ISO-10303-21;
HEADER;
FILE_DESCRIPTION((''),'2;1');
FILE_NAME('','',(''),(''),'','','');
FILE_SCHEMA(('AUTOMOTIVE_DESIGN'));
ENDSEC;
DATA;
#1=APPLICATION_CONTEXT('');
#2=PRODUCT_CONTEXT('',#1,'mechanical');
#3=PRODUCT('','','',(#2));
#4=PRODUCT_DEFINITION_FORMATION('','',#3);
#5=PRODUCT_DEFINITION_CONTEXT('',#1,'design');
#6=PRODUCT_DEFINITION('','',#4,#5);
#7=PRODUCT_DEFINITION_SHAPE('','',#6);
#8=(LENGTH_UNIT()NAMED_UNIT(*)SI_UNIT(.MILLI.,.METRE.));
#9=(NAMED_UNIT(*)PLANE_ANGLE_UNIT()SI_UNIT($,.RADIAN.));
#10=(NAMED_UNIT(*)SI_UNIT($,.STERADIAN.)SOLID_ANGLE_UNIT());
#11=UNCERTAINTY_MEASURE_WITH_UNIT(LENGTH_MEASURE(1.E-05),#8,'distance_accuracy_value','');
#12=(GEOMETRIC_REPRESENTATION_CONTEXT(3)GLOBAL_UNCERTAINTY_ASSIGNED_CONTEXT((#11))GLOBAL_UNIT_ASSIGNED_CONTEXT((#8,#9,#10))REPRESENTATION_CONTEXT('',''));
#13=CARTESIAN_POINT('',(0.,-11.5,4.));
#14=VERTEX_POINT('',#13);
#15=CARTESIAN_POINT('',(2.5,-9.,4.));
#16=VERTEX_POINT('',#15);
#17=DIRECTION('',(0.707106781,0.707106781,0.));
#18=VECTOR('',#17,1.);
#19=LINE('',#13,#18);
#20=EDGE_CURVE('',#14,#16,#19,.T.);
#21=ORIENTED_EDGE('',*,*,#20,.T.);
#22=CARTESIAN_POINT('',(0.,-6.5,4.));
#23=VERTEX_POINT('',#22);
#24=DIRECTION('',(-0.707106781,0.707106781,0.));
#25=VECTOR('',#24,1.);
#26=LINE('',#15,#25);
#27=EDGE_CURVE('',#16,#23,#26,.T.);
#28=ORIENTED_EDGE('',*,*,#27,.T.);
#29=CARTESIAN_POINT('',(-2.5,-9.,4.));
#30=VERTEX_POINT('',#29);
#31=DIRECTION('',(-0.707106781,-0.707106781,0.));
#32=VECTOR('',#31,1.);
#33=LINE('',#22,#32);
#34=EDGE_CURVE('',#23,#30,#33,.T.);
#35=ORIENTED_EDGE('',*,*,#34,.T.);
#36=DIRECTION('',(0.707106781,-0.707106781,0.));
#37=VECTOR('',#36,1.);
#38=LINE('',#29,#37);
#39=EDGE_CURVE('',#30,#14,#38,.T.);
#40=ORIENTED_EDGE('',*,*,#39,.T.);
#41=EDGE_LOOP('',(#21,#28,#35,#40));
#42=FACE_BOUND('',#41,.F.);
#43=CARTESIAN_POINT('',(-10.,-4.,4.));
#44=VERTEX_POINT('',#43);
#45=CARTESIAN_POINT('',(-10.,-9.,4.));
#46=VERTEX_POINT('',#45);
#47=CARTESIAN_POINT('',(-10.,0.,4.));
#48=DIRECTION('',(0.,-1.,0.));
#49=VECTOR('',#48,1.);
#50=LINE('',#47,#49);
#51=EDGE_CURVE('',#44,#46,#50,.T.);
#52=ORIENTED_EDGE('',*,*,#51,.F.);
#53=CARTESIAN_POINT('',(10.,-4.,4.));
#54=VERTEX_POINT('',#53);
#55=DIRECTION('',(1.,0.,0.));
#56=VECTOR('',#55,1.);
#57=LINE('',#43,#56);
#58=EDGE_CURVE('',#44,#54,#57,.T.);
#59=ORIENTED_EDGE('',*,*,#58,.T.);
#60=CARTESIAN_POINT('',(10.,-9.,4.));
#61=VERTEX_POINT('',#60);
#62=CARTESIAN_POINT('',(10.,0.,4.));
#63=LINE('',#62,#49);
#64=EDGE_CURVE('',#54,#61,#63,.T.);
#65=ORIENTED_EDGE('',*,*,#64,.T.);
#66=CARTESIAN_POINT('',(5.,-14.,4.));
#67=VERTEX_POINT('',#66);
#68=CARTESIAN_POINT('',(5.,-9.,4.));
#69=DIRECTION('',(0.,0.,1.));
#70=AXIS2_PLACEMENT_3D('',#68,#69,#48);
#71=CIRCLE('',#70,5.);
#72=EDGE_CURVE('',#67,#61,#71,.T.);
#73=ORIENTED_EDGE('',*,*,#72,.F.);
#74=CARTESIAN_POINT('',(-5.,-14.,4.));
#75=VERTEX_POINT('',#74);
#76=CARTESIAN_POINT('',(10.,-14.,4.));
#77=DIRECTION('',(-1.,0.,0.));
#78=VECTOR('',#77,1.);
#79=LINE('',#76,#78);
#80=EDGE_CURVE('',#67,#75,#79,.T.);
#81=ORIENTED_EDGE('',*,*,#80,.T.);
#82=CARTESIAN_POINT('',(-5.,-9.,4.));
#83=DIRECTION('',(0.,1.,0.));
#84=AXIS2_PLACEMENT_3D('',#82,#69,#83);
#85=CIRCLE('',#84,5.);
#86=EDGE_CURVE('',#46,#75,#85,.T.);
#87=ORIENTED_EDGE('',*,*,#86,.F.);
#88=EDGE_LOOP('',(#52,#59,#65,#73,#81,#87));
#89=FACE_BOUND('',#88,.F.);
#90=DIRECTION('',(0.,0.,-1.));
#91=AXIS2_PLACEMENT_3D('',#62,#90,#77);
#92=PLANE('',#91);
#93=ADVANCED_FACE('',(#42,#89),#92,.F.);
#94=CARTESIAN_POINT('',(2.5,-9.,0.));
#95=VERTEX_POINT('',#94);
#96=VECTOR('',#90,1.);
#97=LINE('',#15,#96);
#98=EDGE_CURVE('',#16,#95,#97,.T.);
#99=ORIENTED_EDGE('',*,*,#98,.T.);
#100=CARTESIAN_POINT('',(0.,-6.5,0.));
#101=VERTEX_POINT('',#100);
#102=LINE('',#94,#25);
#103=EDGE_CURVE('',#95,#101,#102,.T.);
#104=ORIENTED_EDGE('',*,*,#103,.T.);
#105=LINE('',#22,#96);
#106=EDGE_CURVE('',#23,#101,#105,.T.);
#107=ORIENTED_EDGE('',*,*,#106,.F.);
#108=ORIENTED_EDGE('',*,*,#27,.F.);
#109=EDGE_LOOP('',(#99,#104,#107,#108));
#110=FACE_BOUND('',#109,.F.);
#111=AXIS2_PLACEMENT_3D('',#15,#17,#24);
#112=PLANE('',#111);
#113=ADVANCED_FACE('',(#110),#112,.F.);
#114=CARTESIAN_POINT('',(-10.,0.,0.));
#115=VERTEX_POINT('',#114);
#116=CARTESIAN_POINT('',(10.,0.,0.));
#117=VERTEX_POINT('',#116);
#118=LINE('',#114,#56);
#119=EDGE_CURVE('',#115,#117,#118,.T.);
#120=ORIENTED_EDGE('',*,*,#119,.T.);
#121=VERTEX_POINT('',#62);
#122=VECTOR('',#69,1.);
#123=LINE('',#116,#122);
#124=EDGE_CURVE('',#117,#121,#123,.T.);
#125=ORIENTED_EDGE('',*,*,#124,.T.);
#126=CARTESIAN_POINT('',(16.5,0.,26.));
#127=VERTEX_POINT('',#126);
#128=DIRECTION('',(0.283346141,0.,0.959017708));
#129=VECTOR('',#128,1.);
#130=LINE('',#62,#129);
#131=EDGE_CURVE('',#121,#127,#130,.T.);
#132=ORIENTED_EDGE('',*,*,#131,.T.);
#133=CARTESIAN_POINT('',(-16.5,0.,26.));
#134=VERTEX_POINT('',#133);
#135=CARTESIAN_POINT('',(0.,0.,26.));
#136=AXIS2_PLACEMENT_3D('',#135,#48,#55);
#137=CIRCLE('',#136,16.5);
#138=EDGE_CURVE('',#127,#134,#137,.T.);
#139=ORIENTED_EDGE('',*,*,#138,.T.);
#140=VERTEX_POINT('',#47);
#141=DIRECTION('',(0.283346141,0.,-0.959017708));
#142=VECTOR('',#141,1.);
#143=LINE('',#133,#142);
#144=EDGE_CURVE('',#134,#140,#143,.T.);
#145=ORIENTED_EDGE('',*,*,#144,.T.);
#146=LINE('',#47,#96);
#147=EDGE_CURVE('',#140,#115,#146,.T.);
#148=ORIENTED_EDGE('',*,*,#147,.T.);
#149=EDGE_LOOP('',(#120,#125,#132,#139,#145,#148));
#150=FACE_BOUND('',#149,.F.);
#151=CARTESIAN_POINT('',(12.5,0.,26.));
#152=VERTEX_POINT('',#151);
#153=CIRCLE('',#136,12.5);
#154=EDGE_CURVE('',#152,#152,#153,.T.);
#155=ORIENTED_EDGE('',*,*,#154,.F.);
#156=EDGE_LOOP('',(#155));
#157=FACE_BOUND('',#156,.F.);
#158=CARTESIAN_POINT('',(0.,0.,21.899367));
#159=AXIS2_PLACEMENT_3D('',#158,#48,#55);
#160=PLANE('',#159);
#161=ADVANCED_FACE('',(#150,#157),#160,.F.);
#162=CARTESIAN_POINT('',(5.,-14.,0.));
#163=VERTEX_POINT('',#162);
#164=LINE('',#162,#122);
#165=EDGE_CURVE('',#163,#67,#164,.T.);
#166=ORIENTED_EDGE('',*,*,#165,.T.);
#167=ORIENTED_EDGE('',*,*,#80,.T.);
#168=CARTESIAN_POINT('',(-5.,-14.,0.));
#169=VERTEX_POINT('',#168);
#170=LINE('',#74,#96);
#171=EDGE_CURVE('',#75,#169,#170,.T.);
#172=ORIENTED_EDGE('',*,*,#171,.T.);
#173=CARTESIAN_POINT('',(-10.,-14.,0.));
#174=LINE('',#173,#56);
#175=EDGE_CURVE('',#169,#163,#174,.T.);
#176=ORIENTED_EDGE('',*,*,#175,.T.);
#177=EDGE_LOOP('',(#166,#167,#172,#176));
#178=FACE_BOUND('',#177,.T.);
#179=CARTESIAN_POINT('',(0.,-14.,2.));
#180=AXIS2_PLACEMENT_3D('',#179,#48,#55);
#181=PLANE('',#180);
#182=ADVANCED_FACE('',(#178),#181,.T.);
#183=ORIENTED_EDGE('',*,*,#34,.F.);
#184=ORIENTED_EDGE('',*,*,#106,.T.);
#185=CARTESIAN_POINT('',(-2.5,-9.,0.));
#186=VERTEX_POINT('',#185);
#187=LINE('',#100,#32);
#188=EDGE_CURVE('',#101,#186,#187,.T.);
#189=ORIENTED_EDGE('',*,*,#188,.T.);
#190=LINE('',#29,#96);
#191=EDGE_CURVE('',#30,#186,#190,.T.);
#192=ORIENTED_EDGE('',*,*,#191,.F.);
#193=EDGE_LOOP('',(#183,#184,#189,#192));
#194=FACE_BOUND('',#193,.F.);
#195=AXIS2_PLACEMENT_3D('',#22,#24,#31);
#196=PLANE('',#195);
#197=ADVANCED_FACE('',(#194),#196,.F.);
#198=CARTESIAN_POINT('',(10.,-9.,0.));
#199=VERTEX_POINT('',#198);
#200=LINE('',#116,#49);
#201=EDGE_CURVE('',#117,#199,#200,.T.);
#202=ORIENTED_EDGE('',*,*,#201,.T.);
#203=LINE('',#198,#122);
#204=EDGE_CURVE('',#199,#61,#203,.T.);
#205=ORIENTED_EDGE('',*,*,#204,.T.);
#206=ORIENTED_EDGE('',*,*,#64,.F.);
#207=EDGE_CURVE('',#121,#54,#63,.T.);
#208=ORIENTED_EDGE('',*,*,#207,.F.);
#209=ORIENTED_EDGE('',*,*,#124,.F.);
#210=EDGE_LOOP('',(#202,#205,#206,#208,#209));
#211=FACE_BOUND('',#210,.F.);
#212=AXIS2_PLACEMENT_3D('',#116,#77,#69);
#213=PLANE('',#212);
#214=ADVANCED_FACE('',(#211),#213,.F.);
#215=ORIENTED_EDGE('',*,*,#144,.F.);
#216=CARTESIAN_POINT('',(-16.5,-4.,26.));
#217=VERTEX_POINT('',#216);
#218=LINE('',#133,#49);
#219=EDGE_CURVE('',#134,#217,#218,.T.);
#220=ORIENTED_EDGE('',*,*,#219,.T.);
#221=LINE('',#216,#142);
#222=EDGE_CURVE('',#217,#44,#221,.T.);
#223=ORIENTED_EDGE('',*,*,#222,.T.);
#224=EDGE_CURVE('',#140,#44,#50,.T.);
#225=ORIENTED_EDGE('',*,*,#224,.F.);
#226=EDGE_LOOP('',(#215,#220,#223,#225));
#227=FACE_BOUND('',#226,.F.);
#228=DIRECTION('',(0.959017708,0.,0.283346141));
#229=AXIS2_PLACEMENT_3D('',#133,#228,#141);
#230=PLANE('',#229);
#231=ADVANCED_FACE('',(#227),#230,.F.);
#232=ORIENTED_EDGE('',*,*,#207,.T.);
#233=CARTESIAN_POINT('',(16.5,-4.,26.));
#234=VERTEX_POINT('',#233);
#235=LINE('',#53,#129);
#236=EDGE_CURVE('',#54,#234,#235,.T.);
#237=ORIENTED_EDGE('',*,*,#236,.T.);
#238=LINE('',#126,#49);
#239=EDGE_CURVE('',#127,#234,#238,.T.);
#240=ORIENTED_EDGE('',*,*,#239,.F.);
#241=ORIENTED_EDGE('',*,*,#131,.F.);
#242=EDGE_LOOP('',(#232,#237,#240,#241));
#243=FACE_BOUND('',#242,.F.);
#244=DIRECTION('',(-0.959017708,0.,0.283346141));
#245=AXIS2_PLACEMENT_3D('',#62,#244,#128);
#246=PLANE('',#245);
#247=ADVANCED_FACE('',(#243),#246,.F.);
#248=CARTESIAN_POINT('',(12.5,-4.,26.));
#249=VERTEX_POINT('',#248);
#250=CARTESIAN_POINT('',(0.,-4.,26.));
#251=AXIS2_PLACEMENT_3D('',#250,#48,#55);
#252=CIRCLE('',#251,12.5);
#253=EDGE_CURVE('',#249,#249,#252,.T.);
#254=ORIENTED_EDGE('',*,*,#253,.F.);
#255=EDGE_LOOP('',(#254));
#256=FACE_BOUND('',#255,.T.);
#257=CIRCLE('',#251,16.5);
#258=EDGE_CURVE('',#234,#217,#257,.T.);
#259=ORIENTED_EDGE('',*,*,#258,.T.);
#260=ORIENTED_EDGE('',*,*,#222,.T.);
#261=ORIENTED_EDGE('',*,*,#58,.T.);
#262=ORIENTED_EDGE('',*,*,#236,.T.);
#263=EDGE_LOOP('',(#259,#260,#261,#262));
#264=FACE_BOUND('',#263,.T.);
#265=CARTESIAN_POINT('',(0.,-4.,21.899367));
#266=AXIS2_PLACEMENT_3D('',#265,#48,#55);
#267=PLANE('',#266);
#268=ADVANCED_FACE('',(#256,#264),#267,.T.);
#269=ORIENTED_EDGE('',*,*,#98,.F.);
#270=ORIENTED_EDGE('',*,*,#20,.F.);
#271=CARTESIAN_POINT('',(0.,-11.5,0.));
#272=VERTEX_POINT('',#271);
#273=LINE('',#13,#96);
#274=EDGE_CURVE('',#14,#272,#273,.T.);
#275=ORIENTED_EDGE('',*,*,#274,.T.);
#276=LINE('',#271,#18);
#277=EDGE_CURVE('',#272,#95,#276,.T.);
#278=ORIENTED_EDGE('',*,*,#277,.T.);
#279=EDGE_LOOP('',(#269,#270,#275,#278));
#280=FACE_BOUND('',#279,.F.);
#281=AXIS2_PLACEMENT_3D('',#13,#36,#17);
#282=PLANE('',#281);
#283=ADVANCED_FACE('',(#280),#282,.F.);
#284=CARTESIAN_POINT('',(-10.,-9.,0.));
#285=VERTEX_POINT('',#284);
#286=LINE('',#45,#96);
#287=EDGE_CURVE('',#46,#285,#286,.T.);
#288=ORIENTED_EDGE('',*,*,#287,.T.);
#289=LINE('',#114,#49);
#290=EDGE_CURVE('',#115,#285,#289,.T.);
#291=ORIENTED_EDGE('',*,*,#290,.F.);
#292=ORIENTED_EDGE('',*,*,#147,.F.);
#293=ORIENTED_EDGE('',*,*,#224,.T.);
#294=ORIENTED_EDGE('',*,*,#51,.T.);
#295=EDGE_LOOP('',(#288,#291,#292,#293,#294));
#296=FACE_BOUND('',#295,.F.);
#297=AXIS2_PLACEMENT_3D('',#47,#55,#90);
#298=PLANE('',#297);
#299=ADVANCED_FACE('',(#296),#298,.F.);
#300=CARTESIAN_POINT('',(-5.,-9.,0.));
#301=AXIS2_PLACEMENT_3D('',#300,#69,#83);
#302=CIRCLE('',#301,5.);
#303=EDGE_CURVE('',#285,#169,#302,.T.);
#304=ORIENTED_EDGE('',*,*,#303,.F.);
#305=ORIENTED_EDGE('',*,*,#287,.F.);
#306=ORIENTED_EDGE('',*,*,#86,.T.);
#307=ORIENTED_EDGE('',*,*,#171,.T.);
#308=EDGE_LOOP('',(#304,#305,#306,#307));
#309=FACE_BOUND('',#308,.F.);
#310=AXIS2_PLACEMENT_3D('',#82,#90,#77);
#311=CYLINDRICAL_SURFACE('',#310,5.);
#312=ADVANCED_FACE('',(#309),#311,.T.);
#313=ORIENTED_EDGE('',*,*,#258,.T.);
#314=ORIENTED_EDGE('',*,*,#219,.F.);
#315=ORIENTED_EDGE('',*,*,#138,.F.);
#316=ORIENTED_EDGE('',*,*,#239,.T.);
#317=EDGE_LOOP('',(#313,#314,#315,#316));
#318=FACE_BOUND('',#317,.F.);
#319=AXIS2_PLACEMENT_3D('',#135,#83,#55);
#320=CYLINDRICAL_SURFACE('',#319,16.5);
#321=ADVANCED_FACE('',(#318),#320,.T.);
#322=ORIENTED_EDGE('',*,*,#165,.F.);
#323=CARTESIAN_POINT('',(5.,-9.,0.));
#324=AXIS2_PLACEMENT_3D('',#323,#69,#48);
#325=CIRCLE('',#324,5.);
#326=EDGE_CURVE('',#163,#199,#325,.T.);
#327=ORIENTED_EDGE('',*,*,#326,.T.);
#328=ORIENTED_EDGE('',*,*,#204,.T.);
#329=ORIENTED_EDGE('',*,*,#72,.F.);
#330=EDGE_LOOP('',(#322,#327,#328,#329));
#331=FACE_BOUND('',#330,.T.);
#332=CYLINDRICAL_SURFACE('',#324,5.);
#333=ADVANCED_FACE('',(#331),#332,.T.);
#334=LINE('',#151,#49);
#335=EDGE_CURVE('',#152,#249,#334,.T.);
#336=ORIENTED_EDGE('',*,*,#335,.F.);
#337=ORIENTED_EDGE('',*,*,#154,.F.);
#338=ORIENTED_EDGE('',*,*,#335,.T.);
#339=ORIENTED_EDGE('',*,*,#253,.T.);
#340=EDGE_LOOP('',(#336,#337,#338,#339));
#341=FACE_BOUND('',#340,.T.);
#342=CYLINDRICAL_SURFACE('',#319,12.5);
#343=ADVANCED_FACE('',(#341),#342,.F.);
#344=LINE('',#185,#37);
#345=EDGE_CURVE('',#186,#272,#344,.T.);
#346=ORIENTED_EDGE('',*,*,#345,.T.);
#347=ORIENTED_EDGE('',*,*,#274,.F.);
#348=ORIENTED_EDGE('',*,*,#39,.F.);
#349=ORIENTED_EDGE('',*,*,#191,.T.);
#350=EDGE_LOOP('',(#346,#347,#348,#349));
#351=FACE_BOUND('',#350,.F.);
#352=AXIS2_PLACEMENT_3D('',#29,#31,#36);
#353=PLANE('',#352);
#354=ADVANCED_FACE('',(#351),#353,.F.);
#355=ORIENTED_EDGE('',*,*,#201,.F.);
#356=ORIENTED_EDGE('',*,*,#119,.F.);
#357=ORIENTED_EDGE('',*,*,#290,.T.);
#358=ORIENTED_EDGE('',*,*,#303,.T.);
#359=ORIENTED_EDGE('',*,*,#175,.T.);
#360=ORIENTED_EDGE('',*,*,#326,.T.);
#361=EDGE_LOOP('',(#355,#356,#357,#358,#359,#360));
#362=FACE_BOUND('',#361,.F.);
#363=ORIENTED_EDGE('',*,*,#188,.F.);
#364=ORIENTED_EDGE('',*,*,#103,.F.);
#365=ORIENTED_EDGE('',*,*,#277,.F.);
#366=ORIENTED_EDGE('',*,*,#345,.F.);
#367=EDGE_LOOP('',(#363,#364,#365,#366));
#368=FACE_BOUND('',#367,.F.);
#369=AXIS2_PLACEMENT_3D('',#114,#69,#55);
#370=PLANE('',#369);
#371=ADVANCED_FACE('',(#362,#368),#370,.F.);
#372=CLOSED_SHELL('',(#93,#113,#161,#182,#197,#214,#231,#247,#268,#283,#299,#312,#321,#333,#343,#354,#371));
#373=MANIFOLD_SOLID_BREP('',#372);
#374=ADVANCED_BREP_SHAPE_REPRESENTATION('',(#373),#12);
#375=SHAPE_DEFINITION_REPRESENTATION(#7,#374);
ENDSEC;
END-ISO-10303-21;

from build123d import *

# Parameters (mm, degrees)
F1_DEPTH = 14
F0_R     = 12.5
F2_DEPTH = 4
F3_R     = 5
F5_DEPTH = 4


with BuildPart() as f1:
    # F0 (on Front) → F1 (new body)
    with BuildSketch(Plane.XZ):
        Polygon((-10, 0), (0, 0), (10, 0), (10, 4), (-10, 4), align=None)
    extrude(amount=F1_DEPTH)

    # F0 (on Front) → F2 (join)
    with BuildSketch(Plane.XZ):
        with BuildLine():
            Line((-16.5, 26), (-10, 4))
            Line((-10, 4), (10, 4))
            Line((10, 4), (16.5, 26))
            ThreePointArc((16.5, 26), (0, 42.5), (-16.5, 26))
        make_face()
        with Locations((0, 26)):
            Circle(F0_R, mode=Mode.SUBTRACT)
    extrude(amount=F2_DEPTH)

    # F3
    f3_edges = [f1.edges().sort_by_distance(p)[0] for p in [
        (-10, -14, 2),
        (10, -14, 2),
    ]]
    fillet(f3_edges, radius=F3_R)

    # F4 (on face) → F5 (cut)
    with BuildSketch(Plane.XY.offset(4)):
        Polygon((-2.5, -9), (0, -9), (0, -6.5), align=None)
        Polygon((0, -6.5), (0, -9), (2.5, -9), align=None)
        Polygon((2.5, -9), (0, -9), (0, -11.5), align=None)
        Polygon((0, -11.5), (0, -9), (-2.5, -9), align=None)
    extrude(amount=-F5_DEPTH, mode=Mode.SUBTRACT)


solid = f1.part
